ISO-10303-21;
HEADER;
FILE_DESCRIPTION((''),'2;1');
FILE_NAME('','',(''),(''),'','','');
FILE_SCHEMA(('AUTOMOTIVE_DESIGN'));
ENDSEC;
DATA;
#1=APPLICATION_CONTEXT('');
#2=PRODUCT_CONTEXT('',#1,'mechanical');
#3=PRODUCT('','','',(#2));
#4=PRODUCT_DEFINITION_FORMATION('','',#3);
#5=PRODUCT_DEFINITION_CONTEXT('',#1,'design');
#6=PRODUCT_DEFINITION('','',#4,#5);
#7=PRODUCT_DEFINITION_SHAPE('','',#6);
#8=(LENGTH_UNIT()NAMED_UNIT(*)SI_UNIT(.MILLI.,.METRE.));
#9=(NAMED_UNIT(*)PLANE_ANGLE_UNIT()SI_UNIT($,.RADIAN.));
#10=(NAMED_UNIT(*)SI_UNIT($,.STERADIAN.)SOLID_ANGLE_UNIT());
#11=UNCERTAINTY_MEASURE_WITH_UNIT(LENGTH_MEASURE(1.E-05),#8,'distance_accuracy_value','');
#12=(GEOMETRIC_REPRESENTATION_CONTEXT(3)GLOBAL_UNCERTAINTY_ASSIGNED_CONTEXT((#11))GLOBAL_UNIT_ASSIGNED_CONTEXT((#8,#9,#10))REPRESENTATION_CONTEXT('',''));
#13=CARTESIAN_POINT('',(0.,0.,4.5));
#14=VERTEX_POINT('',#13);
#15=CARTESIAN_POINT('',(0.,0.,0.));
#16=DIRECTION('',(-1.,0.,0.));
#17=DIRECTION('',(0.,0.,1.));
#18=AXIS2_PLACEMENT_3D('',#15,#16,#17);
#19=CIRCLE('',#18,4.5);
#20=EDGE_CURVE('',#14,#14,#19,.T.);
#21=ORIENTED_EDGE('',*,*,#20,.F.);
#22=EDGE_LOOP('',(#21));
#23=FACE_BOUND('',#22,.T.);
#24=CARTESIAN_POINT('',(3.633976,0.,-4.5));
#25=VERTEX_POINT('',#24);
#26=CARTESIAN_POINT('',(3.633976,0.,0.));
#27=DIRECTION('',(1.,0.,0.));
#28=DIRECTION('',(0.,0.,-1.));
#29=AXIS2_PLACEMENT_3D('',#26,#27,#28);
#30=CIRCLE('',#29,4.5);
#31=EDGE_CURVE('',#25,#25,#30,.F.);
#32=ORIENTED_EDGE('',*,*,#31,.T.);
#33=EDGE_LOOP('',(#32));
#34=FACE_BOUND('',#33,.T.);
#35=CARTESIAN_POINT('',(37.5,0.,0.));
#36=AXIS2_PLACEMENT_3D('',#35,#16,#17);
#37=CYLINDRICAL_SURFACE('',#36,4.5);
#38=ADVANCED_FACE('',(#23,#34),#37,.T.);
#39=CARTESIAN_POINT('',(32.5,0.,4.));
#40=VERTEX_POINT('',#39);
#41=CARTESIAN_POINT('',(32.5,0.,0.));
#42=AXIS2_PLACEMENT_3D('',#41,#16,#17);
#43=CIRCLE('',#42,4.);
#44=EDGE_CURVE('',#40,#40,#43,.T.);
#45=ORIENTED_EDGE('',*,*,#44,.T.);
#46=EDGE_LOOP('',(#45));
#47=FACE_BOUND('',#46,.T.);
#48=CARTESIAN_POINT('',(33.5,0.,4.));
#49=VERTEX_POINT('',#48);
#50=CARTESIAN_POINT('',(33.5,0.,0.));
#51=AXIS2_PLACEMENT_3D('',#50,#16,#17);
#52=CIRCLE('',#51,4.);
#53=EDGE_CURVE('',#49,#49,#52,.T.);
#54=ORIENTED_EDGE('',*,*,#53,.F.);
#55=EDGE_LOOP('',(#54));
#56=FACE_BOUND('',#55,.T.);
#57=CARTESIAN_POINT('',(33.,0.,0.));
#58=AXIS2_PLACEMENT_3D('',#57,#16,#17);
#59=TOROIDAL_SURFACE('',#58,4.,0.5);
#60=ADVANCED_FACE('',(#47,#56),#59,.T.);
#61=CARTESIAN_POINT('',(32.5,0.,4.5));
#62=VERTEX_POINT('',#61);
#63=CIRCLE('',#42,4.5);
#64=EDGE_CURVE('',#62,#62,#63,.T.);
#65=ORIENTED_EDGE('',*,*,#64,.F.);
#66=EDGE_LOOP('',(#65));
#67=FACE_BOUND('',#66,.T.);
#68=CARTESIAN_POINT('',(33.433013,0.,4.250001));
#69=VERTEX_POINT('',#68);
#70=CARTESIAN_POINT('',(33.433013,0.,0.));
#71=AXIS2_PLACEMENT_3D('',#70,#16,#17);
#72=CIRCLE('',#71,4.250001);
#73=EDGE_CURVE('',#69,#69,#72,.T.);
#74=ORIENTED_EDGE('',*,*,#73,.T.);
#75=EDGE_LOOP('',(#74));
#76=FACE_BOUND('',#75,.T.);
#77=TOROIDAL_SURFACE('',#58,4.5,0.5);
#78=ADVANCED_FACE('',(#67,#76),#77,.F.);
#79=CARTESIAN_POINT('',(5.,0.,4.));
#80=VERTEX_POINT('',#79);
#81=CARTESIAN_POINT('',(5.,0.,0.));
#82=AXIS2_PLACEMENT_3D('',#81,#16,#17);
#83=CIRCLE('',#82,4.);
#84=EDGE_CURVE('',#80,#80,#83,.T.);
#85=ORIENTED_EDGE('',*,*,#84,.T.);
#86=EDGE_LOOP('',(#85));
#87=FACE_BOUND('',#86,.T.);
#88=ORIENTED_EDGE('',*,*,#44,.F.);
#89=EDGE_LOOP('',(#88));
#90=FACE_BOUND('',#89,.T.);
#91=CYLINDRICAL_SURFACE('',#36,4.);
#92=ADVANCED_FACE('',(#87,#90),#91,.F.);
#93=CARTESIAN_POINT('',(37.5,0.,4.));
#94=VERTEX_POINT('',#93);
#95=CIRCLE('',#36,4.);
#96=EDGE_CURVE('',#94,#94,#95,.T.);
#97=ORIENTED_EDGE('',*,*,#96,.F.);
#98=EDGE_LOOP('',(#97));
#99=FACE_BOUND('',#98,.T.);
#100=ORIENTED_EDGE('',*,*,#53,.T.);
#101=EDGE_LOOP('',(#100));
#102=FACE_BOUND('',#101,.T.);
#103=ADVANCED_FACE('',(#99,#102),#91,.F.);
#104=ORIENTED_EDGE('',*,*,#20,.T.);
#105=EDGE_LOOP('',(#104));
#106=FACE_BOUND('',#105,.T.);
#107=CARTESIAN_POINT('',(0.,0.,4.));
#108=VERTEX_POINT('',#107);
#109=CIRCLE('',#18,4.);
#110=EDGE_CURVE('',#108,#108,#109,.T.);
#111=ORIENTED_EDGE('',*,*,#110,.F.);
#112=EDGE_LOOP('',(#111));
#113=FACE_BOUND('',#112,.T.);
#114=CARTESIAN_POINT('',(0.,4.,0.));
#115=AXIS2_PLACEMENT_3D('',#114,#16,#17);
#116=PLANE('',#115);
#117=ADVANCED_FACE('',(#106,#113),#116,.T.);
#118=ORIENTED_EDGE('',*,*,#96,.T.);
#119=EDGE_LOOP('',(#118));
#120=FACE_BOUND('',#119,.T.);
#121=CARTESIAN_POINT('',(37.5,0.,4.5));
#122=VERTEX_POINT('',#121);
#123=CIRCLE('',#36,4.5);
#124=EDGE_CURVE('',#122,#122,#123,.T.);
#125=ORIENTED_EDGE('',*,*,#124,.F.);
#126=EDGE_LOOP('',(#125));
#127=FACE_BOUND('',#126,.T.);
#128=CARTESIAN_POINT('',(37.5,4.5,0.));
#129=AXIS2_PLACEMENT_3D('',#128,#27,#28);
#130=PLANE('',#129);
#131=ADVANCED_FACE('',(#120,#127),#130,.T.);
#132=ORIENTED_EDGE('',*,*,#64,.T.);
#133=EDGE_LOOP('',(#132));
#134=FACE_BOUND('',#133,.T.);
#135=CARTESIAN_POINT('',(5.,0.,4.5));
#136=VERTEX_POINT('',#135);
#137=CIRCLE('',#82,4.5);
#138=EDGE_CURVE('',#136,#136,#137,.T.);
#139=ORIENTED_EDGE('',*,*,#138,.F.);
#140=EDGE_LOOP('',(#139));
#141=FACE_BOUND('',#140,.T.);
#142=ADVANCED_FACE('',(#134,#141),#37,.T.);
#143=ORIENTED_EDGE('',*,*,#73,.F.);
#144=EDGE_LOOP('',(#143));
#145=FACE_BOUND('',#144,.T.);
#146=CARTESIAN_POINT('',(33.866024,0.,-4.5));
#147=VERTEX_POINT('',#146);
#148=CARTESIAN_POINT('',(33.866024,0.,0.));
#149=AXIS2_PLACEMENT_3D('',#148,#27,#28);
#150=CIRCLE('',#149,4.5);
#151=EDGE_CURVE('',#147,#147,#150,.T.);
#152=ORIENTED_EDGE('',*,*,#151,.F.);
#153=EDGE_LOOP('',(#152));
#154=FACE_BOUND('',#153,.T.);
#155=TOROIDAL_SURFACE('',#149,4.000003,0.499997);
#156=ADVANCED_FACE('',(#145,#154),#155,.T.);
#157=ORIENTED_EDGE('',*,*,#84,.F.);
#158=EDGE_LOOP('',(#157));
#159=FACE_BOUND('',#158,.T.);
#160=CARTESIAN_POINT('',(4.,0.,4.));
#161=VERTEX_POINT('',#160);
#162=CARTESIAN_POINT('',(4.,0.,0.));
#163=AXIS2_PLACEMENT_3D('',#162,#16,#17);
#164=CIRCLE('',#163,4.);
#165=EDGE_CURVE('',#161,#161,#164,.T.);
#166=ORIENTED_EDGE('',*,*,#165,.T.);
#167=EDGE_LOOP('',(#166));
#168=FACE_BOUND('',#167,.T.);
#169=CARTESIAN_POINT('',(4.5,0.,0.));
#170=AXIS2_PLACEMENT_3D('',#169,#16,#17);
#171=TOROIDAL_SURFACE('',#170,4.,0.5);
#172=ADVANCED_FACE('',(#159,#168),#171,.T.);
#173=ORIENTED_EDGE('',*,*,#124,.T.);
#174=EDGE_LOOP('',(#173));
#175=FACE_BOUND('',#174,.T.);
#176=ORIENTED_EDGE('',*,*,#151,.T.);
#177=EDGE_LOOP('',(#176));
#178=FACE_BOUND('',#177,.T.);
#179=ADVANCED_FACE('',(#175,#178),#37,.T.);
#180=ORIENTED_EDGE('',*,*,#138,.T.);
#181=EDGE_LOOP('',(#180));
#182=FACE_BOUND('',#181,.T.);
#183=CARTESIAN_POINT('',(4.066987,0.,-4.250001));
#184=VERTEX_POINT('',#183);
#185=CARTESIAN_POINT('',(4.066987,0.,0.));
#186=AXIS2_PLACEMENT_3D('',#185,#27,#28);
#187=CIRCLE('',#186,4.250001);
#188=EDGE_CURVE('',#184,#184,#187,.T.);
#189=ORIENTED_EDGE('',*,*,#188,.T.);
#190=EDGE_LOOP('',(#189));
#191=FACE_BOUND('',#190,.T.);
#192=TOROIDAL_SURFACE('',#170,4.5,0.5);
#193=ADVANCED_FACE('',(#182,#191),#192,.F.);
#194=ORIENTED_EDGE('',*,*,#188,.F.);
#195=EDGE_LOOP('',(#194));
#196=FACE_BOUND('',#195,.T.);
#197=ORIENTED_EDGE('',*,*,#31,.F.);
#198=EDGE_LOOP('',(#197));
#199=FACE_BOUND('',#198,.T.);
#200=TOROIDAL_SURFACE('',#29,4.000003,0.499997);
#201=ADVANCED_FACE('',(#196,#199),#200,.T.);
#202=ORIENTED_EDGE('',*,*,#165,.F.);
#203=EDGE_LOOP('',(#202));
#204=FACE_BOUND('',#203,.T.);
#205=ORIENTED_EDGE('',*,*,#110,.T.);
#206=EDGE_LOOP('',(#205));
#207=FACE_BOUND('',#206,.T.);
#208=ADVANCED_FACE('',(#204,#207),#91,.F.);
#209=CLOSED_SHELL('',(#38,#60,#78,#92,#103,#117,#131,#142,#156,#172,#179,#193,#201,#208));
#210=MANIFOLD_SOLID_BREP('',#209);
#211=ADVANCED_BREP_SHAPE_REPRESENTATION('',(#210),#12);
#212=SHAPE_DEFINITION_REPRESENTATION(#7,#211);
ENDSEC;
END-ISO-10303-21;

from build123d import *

# Parameters (mm, degrees)
FILLET1_R = 0.499997184


with BuildPart() as part:
    # Sketch1 → Revolve1 (revolve)
    with BuildSketch(Plane(origin=(0, 0, 0), x_dir=(-1, 0, 0), z_dir=(0, 0, -1)), mode=Mode.PRIVATE) as revolve1_sk:
        with BuildLine():
            Line((-4, 4), (0, 4))
            Line((0, 4), (0, 4.5))
            Line((0, 4.5), (-4, 4.5))
            ThreePointArc((-4, 4.5), (-4.5, 4), (-5, 4.5))
            Line((-5, 4.5), (-32.5, 4.5))
            ThreePointArc((-32.5, 4.5), (-33, 4), (-33.5, 4.5))
            Line((-33.5, 4.5), (-37.5, 4.5))
            Line((-37.5, 4.5), (-37.5, 4))
            Line((-37.5, 4), (-33.5, 4))
            ThreePointArc((-33.5, 4), (-33, 3.5), (-32.5, 4))
            Line((-32.5, 4), (-5, 4))
            ThreePointArc((-5, 4), (-4.5, 3.5), (-4, 4))
        make_face()
    revolve(revolve1_sk.sketch.rotate(Axis((37.5, 0, 0), (-1, 0, 0)), 270), axis=Axis((37.5, 0, 0), (-1, 0, 0)))

    # Fillet1
    fillet1_edges = [part.edges().sort_by_distance(p)[0] for p in [
        (33.5, 0, -4.5),
        (4, 0, -4.5),
    ]]
    fillet(fillet1_edges, radius=FILLET1_R)


solid = part.part
